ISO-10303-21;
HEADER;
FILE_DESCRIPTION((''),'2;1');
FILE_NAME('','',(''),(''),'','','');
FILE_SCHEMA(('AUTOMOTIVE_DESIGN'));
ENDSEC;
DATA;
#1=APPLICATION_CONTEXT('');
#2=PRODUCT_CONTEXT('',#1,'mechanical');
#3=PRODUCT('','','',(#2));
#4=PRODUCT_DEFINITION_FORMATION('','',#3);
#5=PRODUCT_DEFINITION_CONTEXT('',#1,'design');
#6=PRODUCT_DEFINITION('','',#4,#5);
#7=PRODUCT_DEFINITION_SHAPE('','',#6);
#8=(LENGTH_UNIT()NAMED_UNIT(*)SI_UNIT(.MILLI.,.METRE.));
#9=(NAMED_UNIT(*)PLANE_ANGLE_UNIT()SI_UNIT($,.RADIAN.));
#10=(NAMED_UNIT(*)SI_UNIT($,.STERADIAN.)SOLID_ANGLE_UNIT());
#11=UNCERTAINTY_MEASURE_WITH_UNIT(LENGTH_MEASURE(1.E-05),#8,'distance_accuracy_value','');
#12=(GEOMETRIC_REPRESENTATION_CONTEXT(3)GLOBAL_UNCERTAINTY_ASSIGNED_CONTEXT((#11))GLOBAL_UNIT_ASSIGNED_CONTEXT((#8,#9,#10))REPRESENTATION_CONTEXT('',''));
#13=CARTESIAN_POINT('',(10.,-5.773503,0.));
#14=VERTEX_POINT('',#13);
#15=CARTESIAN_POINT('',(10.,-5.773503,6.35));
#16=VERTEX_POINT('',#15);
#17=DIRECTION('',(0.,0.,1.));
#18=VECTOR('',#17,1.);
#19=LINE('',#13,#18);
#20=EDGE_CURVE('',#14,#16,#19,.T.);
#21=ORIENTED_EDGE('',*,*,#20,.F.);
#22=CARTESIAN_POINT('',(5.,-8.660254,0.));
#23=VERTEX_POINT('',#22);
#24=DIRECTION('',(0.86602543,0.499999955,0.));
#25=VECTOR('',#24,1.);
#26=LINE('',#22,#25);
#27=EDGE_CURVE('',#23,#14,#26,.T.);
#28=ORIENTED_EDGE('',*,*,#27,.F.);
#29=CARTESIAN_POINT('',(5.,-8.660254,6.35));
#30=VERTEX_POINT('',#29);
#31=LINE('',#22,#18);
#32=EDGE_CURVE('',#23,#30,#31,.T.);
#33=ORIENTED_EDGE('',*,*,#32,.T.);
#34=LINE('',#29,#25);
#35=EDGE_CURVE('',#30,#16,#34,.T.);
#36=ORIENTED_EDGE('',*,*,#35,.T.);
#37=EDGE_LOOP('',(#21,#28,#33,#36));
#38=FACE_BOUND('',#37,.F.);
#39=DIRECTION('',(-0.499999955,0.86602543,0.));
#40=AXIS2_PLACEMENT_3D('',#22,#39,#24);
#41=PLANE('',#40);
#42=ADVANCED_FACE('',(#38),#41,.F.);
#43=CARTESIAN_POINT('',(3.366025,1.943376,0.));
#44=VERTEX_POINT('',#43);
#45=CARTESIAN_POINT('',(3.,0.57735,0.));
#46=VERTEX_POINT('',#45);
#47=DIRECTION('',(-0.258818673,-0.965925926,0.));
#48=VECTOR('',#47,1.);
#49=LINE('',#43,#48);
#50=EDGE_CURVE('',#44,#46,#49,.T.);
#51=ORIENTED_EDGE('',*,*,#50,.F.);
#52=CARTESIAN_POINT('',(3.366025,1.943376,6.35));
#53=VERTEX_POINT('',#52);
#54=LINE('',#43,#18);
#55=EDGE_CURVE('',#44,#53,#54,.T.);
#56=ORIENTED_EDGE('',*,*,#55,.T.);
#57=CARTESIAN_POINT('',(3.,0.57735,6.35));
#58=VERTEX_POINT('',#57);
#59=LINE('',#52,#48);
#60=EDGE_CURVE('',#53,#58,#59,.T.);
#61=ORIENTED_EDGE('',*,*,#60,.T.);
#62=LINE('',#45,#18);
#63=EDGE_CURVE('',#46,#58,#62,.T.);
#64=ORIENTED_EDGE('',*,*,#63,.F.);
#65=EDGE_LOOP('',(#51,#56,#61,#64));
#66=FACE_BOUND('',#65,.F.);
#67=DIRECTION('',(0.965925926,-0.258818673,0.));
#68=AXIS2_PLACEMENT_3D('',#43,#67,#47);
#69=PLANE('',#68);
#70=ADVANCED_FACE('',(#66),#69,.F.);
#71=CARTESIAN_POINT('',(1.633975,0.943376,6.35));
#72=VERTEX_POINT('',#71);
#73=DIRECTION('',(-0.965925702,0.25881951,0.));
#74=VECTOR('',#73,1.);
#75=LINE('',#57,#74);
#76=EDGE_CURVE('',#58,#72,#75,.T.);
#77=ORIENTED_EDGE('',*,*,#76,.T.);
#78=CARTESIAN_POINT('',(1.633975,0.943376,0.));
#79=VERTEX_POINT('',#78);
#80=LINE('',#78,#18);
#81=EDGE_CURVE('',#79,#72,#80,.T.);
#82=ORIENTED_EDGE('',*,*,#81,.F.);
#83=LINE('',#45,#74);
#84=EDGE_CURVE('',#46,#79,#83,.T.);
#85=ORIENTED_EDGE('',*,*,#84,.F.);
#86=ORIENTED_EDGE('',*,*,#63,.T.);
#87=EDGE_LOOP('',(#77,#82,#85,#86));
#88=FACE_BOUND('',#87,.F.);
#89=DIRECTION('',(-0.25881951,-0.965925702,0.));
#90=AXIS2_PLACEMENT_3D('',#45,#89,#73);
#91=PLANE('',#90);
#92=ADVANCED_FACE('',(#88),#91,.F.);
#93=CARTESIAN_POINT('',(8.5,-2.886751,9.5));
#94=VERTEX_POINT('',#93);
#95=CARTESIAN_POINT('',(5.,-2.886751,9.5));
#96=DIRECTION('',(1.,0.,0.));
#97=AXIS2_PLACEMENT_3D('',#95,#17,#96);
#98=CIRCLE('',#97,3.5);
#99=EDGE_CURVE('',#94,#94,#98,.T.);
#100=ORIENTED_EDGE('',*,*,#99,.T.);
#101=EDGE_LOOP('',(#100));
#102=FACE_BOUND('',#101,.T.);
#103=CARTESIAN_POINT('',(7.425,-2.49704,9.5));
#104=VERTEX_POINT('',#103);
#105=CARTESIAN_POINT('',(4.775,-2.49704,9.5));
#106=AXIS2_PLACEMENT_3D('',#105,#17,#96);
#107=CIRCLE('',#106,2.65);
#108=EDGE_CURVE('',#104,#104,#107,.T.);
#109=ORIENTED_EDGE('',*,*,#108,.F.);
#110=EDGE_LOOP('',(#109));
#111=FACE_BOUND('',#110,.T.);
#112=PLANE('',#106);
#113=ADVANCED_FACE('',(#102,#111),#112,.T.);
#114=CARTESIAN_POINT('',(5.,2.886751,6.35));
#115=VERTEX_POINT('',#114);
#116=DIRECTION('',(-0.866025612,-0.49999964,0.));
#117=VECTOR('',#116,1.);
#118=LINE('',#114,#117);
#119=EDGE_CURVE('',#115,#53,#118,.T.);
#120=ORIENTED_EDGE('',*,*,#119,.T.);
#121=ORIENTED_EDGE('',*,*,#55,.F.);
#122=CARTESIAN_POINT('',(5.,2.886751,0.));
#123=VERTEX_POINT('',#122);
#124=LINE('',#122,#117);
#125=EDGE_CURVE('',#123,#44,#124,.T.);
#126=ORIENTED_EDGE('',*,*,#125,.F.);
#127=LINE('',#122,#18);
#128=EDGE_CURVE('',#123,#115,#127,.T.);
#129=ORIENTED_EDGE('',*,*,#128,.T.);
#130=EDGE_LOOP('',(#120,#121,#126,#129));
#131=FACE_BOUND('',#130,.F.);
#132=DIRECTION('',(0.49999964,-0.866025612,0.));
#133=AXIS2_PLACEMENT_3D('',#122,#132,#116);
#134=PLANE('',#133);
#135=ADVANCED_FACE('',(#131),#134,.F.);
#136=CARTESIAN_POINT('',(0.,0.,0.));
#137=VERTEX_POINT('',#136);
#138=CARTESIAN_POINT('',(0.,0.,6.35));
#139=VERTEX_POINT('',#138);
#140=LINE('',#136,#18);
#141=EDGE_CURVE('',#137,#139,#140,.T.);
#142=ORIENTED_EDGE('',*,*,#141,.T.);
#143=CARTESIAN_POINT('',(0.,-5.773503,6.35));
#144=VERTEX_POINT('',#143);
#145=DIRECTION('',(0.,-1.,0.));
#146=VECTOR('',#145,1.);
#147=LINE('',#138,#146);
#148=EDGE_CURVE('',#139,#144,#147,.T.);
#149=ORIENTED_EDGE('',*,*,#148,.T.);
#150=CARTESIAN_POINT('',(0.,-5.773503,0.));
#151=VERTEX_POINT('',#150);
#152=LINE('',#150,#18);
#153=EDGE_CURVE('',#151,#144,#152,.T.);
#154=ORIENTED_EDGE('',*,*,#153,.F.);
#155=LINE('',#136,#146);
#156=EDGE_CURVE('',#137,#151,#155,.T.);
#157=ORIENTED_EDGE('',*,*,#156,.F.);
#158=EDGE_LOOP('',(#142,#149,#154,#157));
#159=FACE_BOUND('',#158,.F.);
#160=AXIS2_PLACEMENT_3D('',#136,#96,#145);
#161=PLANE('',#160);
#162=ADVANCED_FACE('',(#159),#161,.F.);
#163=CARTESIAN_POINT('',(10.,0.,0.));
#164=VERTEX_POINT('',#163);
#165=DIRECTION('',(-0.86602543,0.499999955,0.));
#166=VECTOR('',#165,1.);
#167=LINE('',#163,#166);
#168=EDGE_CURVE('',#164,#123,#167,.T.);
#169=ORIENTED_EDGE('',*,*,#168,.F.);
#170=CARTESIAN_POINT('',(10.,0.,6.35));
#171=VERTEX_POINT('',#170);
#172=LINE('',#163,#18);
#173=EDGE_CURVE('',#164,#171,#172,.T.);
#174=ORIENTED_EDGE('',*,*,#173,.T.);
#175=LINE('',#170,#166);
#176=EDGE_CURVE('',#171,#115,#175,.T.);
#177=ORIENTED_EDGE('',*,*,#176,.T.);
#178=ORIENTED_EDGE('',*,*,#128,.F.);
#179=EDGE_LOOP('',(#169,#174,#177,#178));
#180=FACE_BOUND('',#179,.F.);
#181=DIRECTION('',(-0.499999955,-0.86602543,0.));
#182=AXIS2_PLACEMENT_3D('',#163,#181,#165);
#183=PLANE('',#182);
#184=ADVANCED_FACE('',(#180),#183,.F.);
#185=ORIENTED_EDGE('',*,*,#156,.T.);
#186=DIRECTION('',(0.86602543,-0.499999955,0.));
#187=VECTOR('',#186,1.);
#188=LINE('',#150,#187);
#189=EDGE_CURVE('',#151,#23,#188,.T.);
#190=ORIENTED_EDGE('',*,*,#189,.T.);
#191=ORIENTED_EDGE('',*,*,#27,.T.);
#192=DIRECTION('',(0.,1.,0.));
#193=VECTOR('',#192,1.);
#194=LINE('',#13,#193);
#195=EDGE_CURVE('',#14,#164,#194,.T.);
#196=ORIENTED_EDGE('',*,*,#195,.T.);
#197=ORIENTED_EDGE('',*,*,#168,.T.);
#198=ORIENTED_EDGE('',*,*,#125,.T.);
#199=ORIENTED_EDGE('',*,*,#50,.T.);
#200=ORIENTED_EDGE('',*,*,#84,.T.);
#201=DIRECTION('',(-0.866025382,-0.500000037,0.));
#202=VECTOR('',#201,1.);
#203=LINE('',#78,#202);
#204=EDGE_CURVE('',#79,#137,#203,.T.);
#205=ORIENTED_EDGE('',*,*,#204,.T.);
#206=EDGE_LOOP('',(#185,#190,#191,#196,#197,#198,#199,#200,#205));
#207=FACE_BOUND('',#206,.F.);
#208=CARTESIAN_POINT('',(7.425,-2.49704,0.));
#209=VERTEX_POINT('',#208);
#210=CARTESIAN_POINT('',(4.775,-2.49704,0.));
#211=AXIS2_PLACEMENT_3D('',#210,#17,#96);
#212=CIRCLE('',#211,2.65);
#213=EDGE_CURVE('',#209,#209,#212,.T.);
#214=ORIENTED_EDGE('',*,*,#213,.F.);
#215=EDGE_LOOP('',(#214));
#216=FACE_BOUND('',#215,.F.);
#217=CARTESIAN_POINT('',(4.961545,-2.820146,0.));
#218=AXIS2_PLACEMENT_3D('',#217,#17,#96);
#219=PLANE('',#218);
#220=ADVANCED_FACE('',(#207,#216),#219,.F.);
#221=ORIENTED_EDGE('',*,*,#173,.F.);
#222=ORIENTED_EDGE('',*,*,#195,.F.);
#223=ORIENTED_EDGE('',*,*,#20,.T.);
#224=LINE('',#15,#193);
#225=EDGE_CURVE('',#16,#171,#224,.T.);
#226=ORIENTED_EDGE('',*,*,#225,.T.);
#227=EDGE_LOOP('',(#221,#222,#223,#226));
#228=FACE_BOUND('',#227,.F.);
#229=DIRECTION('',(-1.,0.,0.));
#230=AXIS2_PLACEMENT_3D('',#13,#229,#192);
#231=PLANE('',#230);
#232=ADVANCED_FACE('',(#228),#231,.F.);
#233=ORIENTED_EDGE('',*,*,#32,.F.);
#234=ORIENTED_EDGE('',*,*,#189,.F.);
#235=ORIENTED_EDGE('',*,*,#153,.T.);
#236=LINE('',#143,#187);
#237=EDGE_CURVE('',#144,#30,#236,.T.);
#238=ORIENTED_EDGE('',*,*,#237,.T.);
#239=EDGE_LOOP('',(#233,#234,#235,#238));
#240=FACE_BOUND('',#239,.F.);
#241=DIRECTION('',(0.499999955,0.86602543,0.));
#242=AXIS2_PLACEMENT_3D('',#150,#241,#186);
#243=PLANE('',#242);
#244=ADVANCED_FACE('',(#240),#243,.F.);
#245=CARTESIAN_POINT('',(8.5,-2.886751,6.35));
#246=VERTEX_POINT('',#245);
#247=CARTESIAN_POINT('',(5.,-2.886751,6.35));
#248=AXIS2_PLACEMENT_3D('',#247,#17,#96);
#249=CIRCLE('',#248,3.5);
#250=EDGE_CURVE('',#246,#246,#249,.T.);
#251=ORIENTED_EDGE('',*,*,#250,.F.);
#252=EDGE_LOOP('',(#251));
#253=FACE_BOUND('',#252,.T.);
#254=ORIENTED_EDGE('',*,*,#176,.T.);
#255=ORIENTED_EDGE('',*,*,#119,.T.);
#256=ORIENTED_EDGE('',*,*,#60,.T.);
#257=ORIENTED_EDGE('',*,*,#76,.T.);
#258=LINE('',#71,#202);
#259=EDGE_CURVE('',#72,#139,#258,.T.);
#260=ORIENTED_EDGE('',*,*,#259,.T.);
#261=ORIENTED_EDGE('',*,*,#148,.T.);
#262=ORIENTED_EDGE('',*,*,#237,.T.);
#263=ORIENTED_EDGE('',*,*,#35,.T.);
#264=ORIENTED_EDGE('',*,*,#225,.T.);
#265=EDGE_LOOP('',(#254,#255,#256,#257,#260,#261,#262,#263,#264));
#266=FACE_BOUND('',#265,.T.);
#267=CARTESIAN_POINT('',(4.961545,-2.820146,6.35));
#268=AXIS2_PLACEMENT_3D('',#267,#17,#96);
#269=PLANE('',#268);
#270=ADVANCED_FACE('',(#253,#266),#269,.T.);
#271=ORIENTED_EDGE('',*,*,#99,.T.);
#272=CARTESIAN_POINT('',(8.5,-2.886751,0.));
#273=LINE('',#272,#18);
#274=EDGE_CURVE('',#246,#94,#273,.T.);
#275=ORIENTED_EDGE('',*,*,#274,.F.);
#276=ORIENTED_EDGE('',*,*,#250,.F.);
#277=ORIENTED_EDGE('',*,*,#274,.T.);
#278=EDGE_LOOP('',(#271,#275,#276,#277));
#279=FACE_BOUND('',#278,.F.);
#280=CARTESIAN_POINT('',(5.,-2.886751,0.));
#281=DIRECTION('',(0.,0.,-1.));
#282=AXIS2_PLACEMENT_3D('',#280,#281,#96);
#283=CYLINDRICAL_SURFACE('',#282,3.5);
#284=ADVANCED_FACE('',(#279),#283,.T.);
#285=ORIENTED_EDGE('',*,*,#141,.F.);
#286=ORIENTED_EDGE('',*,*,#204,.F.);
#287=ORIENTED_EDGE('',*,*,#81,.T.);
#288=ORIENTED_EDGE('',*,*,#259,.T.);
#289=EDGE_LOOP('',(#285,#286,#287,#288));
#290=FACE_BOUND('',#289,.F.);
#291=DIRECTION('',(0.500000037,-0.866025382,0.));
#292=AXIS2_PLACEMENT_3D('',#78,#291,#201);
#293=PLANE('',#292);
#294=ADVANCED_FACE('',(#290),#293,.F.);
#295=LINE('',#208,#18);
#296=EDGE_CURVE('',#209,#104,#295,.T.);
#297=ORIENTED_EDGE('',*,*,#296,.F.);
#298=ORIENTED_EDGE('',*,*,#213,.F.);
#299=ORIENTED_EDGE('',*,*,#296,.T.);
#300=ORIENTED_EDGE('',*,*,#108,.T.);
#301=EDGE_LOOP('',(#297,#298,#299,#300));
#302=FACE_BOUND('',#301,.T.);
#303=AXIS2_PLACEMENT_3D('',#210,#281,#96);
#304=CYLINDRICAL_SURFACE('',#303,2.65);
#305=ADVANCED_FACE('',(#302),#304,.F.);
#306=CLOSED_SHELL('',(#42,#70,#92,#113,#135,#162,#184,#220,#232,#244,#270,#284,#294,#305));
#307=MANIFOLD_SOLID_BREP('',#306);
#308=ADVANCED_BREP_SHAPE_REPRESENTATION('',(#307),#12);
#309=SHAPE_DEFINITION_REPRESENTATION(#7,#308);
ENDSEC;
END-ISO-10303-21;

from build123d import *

# Parameters (mm, degrees)
F0_R     = 2.65
F0_R_2   = 3.5
F1_DEPTH = 9.5
F2_DEPTH = 6.35
F3_DEPTH = 9.501


with BuildPart() as f1:
    # F0 (on Top) → F1 (new body)
    with BuildSketch(Plane.XY):
        with Locations((4.775, -2.49704)):
            Circle(F0_R)
        with Locations((5, -2.886751)):
            Circle(F0_R_2)
        with Locations((4.775, -2.49704)):
            Circle(F0_R, mode=Mode.SUBTRACT)
    extrude(amount=F1_DEPTH)

    # F0 (on Top) → F2 (join)
    with BuildSketch(Plane.XY):
        Polygon((1.633975, 0.943376), (0, 0), (0, -5.773503), (5, -8.660254), (10, -5.773503), (10, 0), (5, 2.886751), (3.366025, 1.943376), (3, 0.57735), align=None)
        with Locations((5, -2.886751)):
            Circle(F0_R_2, mode=Mode.SUBTRACT)
    extrude(amount=F2_DEPTH)

    # F0 (on Top) → F3 (cut, through all)
    with BuildSketch(Plane.XY):
        with Locations((4.775, -2.49704)):
            Circle(F0_R)
    extrude(amount=F3_DEPTH, mode=Mode.SUBTRACT)


solid = f1.part
